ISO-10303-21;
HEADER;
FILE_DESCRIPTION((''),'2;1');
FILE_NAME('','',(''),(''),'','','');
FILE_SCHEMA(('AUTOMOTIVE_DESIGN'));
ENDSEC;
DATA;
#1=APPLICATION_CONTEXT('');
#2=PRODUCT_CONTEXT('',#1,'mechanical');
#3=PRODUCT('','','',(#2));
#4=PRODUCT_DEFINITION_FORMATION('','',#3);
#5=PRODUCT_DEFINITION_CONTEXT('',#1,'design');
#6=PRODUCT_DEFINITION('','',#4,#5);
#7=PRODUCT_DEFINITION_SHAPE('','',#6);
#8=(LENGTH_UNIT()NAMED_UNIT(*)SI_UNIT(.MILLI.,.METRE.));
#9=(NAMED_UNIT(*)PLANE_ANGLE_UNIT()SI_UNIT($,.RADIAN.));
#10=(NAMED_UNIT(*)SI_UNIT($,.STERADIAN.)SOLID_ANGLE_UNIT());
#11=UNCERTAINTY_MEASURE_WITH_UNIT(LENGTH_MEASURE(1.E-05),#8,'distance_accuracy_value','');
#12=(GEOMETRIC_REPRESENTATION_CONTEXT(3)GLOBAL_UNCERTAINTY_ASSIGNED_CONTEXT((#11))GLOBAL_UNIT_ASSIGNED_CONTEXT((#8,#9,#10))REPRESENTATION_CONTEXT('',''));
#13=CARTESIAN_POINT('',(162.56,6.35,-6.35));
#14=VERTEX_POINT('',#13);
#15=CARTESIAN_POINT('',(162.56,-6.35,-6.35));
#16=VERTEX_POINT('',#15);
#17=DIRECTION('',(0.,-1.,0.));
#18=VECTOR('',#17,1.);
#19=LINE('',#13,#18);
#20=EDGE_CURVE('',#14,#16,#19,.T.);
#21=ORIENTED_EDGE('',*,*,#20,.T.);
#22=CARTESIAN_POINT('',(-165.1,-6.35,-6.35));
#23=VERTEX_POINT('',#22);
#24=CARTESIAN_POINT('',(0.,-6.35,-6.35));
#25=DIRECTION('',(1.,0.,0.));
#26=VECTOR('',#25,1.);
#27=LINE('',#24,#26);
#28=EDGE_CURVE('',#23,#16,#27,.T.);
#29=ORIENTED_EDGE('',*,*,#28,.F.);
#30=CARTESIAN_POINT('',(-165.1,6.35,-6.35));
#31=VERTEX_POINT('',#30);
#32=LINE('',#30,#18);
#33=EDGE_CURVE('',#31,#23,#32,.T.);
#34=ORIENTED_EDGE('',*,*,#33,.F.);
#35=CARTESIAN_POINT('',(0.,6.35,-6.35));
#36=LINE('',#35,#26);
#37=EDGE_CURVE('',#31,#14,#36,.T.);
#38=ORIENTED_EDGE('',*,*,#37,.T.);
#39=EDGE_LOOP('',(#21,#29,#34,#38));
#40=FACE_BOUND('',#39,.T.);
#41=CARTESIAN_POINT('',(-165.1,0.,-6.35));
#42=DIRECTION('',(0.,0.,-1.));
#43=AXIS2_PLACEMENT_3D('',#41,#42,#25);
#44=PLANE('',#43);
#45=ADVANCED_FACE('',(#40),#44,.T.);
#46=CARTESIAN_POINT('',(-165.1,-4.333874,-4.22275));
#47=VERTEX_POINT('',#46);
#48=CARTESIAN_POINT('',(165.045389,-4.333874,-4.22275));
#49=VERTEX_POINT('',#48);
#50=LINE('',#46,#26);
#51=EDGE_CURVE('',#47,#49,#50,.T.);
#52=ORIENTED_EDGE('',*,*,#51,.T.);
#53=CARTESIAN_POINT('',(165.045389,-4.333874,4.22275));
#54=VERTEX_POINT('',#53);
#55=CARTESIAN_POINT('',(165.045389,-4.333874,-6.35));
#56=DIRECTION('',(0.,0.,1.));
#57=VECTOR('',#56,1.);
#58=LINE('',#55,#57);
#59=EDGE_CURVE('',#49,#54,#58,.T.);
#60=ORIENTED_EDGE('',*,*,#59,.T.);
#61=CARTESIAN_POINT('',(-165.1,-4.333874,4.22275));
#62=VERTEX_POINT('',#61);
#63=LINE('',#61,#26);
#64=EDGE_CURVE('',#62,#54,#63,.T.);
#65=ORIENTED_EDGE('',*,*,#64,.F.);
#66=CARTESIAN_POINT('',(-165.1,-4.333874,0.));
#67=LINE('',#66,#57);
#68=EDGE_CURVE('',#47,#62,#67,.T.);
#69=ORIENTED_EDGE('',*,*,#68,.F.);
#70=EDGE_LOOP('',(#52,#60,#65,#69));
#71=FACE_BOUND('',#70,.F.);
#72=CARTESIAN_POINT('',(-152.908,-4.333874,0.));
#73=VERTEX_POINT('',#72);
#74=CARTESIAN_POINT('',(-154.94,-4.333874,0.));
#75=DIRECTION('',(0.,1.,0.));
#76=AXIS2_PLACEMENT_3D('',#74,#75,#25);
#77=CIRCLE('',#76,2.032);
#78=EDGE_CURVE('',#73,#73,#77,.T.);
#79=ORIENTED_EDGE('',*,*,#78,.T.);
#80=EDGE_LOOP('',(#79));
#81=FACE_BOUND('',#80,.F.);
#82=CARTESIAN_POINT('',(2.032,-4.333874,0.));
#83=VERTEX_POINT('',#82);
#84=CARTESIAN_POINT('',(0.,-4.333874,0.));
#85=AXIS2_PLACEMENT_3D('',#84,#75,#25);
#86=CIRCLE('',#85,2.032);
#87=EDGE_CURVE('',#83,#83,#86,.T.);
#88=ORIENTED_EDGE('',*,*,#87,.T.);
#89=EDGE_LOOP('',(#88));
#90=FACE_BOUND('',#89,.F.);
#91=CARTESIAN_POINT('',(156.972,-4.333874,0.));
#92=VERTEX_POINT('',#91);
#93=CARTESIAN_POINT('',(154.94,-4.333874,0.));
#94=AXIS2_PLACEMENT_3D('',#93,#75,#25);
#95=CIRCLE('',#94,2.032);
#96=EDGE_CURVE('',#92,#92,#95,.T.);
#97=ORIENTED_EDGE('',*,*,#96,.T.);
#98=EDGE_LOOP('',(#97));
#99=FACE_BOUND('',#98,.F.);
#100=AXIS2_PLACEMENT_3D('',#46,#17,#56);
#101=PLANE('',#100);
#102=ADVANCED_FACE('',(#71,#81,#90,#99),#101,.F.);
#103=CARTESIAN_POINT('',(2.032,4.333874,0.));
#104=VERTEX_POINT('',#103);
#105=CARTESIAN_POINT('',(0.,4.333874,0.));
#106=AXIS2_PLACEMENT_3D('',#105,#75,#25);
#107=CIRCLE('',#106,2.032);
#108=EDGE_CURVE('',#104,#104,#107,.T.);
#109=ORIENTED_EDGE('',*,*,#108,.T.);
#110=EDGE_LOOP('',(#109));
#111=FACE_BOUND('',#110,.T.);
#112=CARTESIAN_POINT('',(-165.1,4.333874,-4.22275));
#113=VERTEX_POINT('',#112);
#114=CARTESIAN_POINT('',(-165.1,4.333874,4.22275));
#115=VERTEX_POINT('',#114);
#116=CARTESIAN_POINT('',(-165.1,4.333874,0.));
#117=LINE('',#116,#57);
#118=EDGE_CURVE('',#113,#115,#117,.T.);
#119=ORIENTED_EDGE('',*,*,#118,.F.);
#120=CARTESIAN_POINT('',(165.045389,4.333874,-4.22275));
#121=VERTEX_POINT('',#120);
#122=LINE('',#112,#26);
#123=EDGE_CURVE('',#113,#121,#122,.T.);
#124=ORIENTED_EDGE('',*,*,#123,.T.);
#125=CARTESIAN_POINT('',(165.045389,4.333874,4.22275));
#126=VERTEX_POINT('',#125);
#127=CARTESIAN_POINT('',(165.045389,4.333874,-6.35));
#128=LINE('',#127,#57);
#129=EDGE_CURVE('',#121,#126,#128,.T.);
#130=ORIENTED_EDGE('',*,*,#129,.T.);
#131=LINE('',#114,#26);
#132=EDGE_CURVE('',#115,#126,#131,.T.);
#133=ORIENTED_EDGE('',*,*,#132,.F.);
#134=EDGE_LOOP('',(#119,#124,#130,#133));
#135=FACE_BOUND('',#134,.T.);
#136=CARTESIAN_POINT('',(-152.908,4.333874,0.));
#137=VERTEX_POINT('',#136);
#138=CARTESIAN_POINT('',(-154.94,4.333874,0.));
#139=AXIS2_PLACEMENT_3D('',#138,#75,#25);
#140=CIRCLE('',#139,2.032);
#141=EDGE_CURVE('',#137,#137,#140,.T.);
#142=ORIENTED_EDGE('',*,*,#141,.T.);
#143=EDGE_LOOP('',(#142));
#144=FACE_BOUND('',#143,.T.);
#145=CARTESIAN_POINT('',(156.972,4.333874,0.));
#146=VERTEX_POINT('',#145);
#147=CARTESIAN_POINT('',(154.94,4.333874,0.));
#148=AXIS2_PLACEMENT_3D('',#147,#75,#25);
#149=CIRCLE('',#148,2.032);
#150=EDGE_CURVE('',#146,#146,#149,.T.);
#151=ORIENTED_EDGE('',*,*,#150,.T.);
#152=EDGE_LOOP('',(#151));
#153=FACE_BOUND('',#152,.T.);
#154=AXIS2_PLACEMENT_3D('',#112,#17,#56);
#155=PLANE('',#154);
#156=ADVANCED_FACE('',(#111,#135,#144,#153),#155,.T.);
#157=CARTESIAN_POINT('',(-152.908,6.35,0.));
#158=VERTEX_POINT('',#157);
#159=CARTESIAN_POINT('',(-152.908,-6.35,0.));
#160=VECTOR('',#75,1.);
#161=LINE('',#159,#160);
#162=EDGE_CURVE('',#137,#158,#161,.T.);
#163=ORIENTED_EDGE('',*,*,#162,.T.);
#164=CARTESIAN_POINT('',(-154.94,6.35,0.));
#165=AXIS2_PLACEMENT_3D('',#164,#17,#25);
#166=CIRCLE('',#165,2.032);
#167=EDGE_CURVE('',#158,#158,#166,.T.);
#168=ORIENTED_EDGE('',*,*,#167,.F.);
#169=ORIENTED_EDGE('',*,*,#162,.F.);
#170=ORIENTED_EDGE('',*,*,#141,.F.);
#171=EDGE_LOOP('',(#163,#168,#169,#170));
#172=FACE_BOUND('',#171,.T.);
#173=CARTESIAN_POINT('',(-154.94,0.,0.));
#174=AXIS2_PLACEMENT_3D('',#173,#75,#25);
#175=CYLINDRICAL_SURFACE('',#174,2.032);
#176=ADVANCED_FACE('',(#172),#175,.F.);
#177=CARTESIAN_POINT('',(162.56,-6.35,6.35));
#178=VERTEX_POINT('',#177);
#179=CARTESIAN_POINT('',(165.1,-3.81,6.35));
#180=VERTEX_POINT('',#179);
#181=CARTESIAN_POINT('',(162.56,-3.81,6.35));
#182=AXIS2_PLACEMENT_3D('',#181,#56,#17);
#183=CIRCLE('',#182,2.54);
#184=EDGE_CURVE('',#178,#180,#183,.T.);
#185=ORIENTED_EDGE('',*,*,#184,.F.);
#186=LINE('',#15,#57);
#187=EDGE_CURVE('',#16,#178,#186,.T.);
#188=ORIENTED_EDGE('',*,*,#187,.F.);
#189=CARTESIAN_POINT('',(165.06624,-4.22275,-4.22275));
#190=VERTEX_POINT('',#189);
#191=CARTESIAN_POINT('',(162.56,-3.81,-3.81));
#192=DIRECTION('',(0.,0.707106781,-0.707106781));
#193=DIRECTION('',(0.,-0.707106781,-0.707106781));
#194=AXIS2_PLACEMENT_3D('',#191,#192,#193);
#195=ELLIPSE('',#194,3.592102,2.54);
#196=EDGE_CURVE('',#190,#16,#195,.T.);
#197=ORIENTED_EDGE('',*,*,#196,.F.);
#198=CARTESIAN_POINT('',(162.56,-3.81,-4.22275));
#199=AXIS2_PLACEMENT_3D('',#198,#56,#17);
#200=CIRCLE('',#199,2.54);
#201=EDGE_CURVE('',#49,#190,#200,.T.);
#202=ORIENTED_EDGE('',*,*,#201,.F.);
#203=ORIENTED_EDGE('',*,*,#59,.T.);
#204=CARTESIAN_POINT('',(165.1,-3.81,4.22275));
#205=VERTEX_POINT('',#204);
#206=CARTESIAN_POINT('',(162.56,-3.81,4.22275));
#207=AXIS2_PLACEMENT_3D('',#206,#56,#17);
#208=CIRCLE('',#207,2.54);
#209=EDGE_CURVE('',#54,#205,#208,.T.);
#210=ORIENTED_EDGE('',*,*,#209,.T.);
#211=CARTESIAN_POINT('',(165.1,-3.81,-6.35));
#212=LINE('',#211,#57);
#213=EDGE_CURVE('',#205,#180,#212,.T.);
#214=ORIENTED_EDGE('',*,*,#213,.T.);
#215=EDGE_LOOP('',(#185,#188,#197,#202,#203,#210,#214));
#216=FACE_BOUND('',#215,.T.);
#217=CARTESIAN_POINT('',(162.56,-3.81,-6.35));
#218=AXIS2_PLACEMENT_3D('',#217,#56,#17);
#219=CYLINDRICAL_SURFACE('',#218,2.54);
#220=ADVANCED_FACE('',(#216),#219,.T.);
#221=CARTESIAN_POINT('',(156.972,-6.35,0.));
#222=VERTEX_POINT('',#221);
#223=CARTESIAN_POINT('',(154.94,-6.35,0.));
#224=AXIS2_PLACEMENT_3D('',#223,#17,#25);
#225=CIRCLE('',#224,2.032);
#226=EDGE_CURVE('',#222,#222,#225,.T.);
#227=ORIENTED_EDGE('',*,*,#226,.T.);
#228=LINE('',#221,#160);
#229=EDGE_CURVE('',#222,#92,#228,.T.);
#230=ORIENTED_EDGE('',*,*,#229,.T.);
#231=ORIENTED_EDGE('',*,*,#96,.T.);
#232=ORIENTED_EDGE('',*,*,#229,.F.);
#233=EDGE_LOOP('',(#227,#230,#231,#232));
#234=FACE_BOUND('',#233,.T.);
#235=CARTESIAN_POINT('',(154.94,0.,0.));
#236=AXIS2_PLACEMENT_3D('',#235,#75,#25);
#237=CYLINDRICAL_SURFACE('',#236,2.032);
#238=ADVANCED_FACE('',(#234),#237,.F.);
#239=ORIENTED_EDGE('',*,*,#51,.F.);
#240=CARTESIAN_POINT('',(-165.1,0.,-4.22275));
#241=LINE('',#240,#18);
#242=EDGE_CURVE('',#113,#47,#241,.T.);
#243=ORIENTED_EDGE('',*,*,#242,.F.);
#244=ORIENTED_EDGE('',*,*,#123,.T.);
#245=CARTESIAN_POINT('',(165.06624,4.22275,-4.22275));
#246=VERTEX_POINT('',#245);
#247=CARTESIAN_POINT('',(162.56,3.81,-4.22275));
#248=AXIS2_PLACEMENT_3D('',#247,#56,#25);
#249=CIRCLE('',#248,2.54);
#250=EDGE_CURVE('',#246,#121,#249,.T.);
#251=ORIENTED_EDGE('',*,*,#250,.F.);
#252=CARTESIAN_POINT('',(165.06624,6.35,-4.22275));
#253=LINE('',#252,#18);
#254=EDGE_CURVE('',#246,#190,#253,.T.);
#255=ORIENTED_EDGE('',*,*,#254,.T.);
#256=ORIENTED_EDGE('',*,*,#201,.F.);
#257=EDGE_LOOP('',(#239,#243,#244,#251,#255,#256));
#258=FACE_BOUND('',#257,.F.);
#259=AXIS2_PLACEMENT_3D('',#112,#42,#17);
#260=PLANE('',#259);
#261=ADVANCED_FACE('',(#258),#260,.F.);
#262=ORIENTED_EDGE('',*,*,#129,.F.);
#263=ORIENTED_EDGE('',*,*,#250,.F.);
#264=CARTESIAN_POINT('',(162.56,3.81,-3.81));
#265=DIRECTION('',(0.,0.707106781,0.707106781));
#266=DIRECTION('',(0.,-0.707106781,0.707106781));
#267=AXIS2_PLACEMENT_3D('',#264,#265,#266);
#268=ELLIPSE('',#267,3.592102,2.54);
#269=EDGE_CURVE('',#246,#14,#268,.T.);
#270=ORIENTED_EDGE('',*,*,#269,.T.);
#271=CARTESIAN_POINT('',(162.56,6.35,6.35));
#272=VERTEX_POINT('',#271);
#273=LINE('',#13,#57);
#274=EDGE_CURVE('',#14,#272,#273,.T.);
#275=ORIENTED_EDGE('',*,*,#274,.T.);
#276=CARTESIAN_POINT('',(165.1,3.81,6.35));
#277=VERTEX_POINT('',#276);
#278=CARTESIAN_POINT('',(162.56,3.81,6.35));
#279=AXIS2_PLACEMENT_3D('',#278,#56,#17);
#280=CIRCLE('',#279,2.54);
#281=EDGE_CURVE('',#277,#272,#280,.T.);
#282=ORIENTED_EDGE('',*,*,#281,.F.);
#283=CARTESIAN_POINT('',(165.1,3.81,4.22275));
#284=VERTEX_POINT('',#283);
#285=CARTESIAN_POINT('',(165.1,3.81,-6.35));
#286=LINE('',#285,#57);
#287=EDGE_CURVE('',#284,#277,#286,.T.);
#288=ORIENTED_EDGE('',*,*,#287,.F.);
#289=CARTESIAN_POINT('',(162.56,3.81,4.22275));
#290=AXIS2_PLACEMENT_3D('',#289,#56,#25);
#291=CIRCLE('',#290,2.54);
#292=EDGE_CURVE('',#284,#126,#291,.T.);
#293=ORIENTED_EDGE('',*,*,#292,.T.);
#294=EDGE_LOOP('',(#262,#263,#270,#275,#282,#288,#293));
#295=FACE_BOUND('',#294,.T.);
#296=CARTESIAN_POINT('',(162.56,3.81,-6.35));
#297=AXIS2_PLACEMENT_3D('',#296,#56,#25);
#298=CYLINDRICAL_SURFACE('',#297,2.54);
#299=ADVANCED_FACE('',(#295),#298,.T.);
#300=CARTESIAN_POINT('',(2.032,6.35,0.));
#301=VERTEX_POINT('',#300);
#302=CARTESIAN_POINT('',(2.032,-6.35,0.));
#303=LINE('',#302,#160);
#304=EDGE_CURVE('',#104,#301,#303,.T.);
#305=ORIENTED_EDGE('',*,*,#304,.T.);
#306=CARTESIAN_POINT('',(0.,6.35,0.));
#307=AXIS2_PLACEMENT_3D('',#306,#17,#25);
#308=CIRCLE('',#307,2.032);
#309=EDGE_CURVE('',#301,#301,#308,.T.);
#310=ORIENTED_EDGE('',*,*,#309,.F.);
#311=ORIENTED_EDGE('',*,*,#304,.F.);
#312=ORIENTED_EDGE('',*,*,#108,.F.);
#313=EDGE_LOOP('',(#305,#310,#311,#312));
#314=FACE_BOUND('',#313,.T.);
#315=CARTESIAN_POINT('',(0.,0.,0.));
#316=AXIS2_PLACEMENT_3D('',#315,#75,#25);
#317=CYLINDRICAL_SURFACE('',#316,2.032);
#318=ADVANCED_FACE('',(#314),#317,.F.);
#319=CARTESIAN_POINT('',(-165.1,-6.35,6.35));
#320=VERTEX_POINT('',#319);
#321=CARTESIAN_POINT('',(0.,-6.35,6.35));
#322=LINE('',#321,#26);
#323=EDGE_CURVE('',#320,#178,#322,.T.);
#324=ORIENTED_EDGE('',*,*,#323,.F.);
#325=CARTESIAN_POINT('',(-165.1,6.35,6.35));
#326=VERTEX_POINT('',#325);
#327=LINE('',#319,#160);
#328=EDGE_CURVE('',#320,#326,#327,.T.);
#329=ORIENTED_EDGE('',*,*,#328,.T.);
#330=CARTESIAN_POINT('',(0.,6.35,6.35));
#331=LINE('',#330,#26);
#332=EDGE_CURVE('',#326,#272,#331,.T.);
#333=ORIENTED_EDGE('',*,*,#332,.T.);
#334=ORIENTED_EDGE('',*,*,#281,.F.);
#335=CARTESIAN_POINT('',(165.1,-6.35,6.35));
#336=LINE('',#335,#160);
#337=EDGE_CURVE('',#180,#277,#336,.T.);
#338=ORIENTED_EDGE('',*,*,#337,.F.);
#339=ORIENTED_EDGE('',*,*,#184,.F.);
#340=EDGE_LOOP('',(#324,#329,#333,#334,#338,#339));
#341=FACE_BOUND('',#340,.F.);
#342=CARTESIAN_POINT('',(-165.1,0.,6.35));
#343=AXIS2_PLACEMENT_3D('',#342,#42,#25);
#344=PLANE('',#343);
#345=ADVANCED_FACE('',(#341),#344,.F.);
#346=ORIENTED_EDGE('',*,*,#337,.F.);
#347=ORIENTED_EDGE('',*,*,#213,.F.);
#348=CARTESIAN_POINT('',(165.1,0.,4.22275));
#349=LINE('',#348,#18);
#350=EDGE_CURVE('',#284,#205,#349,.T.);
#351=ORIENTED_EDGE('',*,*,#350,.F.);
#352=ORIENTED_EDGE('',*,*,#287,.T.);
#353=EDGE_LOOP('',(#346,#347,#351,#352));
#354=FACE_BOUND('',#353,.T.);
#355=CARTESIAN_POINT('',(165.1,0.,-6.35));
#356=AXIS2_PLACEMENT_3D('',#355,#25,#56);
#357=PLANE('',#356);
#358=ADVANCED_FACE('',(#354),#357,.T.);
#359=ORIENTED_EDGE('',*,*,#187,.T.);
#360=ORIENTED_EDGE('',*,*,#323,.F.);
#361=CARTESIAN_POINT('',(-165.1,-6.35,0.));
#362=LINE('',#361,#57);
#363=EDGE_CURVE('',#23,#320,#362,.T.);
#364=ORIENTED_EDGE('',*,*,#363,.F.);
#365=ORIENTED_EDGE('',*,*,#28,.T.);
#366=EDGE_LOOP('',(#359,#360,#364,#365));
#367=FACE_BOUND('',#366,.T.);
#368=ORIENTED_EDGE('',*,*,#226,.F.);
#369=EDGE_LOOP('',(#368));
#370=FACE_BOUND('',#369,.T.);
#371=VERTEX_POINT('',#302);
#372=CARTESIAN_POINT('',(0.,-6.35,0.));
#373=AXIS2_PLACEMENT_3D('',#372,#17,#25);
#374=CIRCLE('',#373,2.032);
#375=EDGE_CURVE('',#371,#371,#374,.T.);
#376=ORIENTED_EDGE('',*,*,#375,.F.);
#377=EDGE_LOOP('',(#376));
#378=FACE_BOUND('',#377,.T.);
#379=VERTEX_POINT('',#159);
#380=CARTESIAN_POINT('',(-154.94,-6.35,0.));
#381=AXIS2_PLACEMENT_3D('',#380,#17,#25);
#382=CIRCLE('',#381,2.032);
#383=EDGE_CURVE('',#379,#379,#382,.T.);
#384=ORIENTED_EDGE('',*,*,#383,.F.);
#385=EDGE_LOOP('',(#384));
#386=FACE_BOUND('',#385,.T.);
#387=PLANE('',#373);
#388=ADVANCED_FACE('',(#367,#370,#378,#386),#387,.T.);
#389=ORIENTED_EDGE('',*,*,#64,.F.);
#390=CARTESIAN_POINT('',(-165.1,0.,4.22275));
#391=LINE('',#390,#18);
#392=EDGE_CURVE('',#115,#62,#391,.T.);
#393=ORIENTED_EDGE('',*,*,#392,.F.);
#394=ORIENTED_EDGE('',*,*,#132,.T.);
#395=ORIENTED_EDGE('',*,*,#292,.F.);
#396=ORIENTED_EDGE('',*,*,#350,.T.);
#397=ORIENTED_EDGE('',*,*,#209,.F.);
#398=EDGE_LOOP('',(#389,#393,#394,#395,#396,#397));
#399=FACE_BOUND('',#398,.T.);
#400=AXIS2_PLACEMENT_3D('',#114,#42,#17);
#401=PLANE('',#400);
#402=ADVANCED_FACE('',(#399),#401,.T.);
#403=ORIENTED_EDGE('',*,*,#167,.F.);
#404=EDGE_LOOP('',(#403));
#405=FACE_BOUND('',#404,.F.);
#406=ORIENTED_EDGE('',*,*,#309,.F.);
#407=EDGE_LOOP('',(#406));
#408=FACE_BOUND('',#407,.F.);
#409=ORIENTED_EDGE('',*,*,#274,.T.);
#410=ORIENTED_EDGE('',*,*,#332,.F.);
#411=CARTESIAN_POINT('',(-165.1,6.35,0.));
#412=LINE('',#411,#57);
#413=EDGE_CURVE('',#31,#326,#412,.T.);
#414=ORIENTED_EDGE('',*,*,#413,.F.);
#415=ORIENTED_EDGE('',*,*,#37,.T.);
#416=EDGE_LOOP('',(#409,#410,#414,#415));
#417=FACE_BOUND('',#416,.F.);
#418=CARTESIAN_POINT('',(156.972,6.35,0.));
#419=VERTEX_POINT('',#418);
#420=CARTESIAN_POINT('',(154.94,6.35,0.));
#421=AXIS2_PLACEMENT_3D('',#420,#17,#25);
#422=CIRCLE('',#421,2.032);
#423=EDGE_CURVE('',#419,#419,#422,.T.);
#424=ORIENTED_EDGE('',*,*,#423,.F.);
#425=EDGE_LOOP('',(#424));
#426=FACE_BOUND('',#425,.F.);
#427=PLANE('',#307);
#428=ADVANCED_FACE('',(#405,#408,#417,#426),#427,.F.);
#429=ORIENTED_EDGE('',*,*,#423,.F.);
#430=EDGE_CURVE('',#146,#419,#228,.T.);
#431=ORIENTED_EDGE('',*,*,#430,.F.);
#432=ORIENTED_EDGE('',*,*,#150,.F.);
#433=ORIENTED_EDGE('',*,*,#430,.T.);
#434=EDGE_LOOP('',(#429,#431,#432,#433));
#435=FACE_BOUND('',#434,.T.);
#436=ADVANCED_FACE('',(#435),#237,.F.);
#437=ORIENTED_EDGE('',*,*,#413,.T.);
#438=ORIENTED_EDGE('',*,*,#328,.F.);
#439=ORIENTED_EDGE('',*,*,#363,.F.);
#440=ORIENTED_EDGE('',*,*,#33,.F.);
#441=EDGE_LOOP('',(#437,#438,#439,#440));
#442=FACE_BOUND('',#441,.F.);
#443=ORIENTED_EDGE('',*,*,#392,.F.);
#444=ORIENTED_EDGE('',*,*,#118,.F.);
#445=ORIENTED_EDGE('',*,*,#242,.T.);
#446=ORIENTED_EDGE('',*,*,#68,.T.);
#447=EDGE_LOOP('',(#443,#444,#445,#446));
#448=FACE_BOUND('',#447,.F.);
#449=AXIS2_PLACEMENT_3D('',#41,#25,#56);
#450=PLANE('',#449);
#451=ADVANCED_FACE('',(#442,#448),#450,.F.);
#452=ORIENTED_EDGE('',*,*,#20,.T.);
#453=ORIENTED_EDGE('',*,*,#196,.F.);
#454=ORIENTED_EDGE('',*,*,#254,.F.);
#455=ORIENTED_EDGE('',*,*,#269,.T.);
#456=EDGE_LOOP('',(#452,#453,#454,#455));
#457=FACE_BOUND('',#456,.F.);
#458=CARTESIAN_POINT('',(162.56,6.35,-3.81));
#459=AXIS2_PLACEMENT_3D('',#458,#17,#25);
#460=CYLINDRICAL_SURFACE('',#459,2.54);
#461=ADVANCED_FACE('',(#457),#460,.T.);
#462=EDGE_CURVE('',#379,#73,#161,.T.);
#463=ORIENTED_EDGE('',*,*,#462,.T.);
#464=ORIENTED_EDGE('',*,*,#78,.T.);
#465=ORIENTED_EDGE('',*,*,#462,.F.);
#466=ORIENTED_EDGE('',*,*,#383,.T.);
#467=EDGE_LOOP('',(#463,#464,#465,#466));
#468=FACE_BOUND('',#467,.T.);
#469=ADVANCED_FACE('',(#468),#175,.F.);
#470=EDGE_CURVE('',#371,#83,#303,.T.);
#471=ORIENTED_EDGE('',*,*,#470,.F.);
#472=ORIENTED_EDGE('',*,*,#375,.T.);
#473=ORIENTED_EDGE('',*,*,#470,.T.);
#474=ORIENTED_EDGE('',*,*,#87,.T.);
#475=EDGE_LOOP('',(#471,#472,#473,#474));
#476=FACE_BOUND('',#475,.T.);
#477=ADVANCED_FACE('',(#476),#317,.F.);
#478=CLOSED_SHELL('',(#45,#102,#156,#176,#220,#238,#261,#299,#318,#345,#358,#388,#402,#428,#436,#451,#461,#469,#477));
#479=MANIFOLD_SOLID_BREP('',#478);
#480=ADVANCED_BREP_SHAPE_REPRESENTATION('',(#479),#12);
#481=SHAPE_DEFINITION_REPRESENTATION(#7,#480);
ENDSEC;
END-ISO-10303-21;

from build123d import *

# Parameters (mm, degrees)
F0_W     = 330.2
F0_H     = 12.7
F0_R     = 2.032
F1_DEPTH = 6.35
F2_R     = 2.54
F3_W     = 8.6677474901
F3_H     = 8.4455003962
F4_DEPTH = 330.2


with BuildPart() as f1:
    # F0 (on Front) → F1 (new body, symmetric)
    with BuildSketch(Plane.XZ):
        Rectangle(F0_W, F0_H)
        with Locations((-154.94, 0)):
            Circle(F0_R, mode=Mode.SUBTRACT)
        Circle(F0_R, mode=Mode.SUBTRACT)
        with Locations((154.94, 0)):
            Circle(F0_R, mode=Mode.SUBTRACT)
    extrude(amount=F1_DEPTH, both=True)

    # F2
    f2_edges = [f1.edges().sort_by_distance(p)[0] for p in [
        (165.1, 0, -6.35),
        (165.1, 6.35, 0),
        (165.1, -6.35, 0),
    ]]
    fillet(f2_edges, radius=F2_R)

    # F3 (on face) → F4 (cut)
    with BuildSketch(Plane(origin=(-165.1, 0, 0), x_dir=(0, -1, 0), z_dir=(-1, 0, 0))):
        Rectangle(F3_W, F3_H)
    extrude(amount=-F4_DEPTH, mode=Mode.SUBTRACT)


solid = f1.part
